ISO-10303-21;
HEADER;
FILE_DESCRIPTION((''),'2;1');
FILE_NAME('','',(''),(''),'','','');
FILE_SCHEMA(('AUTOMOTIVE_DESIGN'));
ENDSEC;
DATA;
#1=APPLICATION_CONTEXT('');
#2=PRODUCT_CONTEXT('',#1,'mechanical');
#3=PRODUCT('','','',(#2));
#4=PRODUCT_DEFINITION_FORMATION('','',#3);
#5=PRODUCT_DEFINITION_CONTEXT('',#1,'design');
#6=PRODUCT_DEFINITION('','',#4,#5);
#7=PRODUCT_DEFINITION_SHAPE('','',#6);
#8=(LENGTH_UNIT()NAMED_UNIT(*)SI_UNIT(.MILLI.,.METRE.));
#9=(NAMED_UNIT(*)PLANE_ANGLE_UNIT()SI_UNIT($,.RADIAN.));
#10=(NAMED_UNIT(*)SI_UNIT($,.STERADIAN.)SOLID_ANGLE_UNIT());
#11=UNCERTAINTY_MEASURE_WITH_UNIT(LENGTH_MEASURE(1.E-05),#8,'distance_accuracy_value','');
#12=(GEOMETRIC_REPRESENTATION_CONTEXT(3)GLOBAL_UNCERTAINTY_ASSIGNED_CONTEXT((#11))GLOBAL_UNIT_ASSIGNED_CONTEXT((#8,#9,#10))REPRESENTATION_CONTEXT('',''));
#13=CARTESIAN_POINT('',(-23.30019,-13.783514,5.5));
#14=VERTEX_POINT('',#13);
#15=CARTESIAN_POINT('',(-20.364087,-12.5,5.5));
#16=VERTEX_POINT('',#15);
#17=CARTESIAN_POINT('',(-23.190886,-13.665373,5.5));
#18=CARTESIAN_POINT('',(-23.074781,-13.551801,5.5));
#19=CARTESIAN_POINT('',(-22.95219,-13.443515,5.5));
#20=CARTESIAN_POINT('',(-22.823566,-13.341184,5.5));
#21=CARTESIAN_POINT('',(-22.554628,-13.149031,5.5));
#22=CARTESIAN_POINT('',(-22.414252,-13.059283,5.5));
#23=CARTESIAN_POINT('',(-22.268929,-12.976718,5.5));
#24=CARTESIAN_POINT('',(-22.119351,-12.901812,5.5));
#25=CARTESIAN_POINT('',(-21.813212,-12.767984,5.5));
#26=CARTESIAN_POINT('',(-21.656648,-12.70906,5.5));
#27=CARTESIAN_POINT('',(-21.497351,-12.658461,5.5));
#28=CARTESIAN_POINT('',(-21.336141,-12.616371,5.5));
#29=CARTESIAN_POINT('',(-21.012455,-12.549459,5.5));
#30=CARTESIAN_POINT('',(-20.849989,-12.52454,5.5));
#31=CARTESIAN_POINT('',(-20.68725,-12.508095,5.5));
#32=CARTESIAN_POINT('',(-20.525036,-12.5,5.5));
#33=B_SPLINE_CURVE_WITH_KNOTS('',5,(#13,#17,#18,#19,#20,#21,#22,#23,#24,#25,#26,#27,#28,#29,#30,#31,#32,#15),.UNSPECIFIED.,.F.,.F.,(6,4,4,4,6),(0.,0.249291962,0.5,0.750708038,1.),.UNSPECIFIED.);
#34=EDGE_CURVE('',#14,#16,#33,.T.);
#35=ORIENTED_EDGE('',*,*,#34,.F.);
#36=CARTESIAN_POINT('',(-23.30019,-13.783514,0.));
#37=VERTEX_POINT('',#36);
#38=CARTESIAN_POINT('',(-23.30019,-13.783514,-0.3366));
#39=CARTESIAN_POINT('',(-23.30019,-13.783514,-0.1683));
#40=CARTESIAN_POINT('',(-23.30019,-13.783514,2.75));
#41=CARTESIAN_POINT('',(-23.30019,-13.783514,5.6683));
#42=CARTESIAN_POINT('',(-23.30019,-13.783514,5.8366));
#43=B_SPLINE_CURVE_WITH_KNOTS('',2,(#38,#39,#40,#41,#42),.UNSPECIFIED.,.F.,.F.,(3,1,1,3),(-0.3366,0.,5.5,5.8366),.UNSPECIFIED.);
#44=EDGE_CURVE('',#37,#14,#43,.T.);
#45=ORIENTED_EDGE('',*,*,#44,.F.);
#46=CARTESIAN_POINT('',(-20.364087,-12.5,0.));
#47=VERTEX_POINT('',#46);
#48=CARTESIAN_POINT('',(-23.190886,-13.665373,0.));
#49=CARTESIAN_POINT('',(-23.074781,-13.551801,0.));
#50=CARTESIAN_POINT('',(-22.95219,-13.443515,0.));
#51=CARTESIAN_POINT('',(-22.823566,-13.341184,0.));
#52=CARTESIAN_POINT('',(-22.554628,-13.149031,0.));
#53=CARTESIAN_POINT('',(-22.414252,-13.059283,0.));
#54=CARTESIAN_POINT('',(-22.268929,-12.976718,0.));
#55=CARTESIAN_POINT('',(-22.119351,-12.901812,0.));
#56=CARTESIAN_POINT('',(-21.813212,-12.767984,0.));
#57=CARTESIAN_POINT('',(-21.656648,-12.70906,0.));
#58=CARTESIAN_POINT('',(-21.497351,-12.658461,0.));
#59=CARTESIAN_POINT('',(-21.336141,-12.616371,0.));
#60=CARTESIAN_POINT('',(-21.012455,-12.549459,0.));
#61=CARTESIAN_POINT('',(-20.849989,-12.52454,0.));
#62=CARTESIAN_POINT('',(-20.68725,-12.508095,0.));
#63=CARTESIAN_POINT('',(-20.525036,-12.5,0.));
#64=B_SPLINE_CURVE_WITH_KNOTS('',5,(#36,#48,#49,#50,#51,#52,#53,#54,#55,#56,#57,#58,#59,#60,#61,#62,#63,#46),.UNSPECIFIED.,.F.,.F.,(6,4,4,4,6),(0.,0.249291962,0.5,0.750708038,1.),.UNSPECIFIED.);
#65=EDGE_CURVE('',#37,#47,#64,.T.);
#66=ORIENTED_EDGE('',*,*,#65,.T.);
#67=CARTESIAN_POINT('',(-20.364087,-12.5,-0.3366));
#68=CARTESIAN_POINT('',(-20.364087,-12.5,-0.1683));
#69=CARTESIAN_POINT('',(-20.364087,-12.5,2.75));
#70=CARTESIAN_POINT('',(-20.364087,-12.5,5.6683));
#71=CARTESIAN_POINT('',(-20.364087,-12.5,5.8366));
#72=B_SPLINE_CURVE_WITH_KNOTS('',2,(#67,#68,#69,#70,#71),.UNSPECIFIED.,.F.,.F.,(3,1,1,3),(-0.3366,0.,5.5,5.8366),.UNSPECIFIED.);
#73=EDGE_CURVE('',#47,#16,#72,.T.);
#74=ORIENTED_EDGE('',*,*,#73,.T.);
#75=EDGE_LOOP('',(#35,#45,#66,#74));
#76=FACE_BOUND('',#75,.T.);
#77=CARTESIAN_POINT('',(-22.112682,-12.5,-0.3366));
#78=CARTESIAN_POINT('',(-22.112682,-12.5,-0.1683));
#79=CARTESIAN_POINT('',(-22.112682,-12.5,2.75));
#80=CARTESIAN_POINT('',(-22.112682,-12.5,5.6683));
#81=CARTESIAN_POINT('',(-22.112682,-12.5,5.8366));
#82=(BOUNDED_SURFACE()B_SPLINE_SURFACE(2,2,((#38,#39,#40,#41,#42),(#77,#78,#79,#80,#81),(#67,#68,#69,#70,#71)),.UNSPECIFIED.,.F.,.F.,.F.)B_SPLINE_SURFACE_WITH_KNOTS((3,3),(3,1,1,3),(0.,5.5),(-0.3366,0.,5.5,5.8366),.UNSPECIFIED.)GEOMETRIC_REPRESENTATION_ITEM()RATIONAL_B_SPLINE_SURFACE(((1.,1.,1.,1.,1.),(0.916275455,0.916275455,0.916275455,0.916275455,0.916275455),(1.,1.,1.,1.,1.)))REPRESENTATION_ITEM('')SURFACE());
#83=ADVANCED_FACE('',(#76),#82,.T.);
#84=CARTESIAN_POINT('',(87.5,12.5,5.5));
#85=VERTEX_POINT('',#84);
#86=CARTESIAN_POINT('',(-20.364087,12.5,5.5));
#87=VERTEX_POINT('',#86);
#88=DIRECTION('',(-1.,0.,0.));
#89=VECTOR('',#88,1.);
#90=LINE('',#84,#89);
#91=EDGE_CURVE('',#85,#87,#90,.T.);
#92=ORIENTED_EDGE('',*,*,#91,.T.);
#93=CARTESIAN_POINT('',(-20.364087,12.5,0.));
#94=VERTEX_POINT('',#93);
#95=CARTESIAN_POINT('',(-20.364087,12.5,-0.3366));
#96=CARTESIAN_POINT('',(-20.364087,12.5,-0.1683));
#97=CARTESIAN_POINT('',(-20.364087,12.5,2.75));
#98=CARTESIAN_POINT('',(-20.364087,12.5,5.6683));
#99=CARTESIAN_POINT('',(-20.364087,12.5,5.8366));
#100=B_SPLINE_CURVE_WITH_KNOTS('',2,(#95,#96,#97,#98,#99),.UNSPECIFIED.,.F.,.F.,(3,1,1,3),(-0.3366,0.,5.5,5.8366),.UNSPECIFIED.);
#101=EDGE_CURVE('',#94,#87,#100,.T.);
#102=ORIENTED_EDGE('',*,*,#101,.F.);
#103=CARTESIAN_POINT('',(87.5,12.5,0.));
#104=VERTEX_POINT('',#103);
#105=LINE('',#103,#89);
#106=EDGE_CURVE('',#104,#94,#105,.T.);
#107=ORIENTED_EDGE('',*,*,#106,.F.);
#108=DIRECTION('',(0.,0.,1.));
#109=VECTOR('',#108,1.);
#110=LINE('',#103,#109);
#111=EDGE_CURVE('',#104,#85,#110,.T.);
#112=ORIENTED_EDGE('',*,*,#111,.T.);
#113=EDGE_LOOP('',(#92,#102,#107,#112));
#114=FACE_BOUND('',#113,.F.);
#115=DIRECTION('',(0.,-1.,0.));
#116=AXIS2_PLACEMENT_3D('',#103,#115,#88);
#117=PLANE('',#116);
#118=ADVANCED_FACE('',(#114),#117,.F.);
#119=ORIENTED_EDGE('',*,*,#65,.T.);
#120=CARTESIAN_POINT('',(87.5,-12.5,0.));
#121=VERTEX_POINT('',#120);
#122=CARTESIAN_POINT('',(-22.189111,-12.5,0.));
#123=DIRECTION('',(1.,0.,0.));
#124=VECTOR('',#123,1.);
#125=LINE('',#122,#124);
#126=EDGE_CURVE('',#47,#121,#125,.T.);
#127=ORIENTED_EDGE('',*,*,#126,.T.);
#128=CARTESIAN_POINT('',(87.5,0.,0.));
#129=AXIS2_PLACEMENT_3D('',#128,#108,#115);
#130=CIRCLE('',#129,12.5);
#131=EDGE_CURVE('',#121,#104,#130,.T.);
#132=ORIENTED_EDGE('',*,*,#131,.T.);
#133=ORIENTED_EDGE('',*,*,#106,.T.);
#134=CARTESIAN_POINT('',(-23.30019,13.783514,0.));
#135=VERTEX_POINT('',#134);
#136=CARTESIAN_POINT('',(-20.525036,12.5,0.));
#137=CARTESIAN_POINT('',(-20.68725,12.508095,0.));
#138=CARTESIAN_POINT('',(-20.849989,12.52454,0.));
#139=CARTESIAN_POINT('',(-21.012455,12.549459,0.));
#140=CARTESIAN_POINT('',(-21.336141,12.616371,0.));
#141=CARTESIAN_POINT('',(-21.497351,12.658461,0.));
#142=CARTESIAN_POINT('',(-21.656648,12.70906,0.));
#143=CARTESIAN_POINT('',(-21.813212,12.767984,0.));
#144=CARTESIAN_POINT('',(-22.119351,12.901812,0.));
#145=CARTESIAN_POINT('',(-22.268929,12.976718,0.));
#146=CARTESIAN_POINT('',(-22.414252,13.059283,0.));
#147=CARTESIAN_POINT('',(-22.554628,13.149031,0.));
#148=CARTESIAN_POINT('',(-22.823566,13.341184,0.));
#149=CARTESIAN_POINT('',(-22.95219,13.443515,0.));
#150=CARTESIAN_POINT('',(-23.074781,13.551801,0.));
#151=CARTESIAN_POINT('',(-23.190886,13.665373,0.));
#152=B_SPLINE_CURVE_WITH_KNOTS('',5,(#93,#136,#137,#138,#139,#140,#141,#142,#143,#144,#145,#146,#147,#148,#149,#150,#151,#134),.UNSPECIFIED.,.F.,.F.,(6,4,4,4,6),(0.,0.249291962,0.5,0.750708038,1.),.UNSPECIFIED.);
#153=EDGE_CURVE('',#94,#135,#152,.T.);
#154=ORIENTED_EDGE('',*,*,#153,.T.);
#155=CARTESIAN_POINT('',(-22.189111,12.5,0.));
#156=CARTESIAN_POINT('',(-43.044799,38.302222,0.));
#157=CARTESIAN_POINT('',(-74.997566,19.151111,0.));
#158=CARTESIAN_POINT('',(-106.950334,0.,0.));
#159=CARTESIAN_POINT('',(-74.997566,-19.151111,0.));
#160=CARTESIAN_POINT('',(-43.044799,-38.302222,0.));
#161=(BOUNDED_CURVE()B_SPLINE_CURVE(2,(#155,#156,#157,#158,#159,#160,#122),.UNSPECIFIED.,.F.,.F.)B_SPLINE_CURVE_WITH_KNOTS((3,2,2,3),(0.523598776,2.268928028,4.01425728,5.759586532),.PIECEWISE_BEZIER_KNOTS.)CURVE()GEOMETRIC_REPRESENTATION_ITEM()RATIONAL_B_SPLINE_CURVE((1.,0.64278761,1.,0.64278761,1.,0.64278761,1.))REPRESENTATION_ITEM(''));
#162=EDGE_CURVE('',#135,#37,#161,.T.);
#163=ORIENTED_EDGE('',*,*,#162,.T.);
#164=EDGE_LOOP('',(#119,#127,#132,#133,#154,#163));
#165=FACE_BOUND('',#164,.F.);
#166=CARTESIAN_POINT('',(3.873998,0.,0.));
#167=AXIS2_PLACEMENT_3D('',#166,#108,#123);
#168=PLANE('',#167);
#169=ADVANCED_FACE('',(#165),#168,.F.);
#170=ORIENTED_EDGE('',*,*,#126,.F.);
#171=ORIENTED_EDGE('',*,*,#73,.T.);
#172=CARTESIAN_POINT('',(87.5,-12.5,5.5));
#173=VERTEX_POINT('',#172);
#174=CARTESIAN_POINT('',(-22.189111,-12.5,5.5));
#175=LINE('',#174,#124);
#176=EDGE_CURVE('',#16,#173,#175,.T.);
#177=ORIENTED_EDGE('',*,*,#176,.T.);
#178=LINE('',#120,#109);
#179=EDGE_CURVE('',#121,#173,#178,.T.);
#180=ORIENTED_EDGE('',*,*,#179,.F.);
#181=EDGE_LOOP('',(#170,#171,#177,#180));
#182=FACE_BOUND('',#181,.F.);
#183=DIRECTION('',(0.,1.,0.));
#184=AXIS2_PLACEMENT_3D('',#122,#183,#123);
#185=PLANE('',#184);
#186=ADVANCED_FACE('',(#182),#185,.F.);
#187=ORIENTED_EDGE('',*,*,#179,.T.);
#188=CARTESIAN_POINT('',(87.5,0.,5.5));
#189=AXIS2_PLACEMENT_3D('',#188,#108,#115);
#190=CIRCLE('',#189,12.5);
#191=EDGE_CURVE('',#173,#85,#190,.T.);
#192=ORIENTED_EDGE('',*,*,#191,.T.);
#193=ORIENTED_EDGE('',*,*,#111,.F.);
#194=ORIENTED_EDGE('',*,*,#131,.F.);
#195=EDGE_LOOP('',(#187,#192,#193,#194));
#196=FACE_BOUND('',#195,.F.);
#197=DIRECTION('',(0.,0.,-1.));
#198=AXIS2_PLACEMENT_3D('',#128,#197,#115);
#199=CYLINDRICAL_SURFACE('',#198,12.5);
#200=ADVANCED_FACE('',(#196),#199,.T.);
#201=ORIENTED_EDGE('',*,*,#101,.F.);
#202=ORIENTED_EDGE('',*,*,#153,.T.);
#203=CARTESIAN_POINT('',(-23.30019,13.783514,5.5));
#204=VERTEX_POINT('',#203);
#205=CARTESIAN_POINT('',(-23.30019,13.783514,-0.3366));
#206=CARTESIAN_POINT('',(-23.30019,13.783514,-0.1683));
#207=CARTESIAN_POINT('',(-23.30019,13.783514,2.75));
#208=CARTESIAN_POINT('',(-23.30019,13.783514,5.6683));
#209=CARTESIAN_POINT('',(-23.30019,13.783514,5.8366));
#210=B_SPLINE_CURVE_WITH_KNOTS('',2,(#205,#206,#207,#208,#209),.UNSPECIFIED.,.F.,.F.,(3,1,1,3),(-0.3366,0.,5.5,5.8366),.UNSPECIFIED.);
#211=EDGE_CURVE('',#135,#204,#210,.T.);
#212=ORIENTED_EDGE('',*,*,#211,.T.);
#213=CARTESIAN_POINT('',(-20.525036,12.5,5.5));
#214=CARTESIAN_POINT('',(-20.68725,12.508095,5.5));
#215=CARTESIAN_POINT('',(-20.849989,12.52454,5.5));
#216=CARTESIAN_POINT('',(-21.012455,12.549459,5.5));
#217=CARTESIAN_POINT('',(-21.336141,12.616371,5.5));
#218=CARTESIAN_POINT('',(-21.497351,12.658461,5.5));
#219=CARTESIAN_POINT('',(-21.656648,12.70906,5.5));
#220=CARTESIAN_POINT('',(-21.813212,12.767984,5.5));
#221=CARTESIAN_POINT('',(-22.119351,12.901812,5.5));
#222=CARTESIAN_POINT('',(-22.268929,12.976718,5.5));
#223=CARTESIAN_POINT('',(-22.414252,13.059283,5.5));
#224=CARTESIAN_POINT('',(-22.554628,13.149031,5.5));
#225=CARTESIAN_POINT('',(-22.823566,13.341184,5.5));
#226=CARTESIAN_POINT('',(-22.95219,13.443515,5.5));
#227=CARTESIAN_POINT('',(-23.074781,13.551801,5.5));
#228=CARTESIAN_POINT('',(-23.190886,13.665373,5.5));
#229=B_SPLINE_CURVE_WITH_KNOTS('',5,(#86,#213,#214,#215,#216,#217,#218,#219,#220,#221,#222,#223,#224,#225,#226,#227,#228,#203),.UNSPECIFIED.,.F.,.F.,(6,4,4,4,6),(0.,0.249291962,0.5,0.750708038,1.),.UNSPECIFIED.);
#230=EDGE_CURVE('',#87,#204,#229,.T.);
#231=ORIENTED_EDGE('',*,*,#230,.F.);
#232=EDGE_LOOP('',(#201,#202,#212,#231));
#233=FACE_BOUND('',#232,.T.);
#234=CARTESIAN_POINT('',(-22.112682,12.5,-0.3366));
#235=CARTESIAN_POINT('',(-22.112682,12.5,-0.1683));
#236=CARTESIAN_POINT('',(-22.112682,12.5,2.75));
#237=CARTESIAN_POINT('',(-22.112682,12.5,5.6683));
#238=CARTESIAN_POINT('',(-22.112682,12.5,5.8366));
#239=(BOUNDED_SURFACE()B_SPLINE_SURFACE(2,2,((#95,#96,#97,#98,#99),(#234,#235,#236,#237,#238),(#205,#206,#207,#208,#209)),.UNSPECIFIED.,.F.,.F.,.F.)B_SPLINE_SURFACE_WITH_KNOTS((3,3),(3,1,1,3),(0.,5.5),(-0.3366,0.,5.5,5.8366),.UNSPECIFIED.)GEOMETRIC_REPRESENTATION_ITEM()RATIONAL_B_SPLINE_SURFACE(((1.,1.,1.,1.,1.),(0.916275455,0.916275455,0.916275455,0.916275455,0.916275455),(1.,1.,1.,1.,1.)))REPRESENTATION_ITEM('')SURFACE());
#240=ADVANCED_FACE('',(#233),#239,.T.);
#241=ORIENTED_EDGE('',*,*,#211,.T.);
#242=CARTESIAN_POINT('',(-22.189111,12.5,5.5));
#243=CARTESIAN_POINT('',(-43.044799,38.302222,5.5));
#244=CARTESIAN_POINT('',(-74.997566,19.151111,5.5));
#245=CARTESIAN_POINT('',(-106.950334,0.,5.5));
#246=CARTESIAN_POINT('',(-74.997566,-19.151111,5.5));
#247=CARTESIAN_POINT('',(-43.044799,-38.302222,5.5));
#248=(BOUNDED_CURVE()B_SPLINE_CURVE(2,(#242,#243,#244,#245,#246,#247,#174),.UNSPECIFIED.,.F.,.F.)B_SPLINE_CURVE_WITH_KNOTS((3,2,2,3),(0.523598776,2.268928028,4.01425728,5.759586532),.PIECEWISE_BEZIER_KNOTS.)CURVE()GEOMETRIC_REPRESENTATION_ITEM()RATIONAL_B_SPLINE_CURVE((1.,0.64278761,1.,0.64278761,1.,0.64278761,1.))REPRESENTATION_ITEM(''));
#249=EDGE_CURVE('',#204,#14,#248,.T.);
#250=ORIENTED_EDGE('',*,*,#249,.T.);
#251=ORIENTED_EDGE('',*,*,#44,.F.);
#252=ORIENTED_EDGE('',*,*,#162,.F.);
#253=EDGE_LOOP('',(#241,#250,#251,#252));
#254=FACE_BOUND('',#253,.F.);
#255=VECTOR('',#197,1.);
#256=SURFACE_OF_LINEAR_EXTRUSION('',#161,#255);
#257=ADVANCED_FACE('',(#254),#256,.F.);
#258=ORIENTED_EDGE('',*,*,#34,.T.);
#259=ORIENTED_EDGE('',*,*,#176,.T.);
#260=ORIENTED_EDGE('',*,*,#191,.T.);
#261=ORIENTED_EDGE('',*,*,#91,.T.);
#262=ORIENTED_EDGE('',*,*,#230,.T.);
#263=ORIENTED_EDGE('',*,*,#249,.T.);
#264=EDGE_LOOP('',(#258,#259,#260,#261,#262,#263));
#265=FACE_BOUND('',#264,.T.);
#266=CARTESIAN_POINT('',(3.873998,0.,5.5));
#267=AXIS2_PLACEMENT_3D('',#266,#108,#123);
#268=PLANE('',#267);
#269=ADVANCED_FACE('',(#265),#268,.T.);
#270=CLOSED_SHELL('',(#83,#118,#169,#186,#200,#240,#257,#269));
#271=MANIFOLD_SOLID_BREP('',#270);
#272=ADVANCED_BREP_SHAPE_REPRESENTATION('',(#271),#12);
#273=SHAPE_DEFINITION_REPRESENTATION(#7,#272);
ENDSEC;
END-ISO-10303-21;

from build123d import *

# Parameters (mm, degrees)
F1_DEPTH = 5.5
F2_R     = 4


with BuildPart() as f1:
    # F0 (on Top) → F1 (new body)
    with BuildSketch(Plane.XY):
        with BuildLine():
            Line((87.5, 12.5), (-22.1891108675, 12.5))
            add(Edge.make_bspline(
                [(-22.1891108675, 12.5), (-43.0447987379, 38.3022221559), (-74.997566339, 19.151111078), (-106.9503339401, 0), (-74.997566339, -19.151111078), (-43.0447987379, -38.3022221559), (-22.1891108675, -12.5)],
                knots=[0.5235987756, 0.5235987756, 0.5235987756, 2.2689280276, 2.2689280276, 4.0142572796, 4.0142572796, 5.7595865316, 5.7595865316, 5.7595865316], degree=2, weights=[1, 0.6427876097, 1, 0.6427876097, 1, 0.6427876097, 1]))
            Line((-22.1891108675, -12.5), (87.5, -12.5))
            ThreePointArc((87.5, -12.5), (100, 0), (87.5, 12.5))
        make_face()
    extrude(amount=F1_DEPTH)

    # F2
    f2_edges = [f1.edges().sort_by_distance(p)[0] for p in [
        (-22.189111, 12.5, 2.75),
        (-22.189111, -12.5, 2.75),
    ]]
    fillet(f2_edges, radius=F2_R)


solid = f1.part
